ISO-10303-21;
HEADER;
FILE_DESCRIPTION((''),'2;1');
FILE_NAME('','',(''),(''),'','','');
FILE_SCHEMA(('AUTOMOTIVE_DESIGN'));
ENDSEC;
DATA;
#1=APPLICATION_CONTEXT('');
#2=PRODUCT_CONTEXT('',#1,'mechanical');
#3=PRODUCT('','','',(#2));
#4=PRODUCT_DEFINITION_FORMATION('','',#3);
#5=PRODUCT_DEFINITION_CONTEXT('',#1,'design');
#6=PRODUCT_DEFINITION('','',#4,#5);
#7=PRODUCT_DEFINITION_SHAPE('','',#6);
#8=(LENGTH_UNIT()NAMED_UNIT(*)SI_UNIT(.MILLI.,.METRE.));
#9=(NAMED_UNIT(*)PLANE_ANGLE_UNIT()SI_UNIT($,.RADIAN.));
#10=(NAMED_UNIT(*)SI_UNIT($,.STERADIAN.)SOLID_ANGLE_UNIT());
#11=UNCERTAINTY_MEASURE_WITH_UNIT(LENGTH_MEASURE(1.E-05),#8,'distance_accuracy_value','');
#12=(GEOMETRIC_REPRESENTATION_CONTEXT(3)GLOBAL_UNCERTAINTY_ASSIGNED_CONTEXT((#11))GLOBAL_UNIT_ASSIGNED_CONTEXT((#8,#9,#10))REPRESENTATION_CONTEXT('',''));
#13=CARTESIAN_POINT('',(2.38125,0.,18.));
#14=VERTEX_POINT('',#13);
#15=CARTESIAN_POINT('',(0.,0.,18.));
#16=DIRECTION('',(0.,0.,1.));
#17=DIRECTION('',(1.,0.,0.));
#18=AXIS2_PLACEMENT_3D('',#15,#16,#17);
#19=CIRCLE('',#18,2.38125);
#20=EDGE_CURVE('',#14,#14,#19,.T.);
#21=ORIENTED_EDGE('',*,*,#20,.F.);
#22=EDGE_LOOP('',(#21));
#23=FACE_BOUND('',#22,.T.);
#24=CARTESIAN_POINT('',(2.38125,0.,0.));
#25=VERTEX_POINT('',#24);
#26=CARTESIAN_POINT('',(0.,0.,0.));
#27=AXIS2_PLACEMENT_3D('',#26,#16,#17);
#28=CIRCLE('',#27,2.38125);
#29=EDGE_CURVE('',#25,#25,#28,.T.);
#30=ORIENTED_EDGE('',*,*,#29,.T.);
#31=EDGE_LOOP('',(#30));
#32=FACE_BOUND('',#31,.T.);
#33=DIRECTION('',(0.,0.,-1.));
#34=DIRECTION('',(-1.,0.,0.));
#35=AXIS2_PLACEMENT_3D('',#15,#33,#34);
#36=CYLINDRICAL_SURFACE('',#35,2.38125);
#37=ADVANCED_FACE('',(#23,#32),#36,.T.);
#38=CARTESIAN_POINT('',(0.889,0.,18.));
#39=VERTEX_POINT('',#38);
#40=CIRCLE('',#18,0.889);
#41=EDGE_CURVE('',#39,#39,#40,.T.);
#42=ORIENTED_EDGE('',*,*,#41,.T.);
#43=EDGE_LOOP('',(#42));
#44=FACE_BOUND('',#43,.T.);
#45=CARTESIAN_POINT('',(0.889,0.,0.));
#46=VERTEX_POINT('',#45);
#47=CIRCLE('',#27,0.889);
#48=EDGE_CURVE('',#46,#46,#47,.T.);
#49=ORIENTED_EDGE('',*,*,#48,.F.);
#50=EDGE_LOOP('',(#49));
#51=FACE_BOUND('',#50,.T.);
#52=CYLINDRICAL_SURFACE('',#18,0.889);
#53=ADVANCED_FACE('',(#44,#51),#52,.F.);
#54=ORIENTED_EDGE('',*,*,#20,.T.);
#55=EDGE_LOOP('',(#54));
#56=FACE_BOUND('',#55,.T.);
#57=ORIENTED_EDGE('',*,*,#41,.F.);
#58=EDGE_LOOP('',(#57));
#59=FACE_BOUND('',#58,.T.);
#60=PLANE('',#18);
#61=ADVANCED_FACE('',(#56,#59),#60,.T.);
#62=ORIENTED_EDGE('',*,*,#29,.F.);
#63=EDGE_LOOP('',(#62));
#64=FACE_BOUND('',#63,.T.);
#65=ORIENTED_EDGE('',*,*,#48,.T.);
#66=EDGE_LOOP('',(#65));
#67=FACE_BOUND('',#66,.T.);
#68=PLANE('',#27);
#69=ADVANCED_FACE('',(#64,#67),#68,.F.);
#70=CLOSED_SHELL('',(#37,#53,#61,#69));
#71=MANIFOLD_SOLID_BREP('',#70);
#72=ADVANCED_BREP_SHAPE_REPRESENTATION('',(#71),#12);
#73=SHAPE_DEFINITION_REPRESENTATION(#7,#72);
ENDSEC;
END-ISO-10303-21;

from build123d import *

# Parameters (mm, degrees)
SKETCH1_R             = 2.38125
BOSS_EXTRUDE1_DEPTH   = 18
F_2_56_TAPPED_HOLE1_D = 1.778


with BuildPart() as part:
    # Sketch1 → Boss-Extrude1 (new body)
    with BuildSketch(Plane.XY):
        Circle(SKETCH1_R)
    extrude(amount=BOSS_EXTRUDE1_DEPTH)

    # #2-56 Tapped Hole1 (through all)
    with Locations(Plane.XY.offset(18)):
        with Locations((0, 0)):
            Hole(F_2_56_TAPPED_HOLE1_D / 2)


solid = part.part
